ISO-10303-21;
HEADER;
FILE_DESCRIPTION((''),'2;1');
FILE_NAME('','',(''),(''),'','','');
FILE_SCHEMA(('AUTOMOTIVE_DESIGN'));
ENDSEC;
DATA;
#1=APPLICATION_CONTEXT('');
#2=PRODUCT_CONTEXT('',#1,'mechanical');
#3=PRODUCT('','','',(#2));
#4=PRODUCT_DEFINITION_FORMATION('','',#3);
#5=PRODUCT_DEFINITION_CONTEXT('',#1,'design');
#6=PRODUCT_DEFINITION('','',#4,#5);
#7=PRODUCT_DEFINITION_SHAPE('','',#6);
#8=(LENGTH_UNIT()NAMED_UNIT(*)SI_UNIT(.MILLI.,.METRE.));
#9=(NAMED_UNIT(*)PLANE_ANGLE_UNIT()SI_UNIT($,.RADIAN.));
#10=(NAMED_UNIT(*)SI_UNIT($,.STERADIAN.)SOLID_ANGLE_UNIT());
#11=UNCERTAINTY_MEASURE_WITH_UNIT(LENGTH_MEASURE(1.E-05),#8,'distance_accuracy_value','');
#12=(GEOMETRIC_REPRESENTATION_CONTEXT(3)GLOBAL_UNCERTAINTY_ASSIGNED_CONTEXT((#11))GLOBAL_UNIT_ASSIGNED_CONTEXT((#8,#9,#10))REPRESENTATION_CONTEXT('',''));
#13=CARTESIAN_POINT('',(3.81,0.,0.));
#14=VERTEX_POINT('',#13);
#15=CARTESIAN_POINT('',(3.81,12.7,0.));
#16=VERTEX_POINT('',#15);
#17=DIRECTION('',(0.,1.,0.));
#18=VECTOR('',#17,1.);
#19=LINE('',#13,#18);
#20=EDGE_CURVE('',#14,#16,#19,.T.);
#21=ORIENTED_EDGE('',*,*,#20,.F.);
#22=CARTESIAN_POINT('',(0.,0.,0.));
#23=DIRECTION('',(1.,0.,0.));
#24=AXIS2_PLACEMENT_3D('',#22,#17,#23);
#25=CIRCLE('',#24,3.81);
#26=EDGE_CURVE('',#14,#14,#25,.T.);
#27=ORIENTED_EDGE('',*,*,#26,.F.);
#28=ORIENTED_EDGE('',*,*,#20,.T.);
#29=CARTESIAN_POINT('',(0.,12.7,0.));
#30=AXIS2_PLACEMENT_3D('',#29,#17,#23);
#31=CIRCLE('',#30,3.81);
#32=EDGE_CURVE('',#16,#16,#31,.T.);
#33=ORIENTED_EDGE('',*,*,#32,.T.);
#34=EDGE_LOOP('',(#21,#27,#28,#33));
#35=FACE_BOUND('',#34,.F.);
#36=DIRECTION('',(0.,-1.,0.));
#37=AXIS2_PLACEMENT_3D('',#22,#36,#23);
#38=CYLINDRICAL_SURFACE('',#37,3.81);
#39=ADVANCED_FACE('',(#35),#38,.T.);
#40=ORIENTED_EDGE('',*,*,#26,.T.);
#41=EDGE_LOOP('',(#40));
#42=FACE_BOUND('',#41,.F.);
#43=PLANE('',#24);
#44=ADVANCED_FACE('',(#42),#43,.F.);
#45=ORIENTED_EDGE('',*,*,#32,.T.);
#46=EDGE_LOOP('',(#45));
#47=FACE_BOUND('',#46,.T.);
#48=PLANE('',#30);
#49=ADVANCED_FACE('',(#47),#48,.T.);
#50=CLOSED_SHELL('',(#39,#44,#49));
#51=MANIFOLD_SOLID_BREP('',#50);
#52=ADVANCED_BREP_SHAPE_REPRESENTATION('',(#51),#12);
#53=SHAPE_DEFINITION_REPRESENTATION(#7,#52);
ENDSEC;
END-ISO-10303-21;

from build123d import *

# Parameters (mm, degrees)
SKETCH1_R           = 3.81
BOSS_EXTRUDE1_DEPTH = 12.7


with BuildPart() as part:
    # Sketch1 → Boss-Extrude1 (new body)
    with BuildSketch(Plane(origin=(0, 0, 0), x_dir=(1, 0, 0), z_dir=(0, 1, 0))):
        Circle(SKETCH1_R)
    extrude(amount=BOSS_EXTRUDE1_DEPTH)


solid = part.part
